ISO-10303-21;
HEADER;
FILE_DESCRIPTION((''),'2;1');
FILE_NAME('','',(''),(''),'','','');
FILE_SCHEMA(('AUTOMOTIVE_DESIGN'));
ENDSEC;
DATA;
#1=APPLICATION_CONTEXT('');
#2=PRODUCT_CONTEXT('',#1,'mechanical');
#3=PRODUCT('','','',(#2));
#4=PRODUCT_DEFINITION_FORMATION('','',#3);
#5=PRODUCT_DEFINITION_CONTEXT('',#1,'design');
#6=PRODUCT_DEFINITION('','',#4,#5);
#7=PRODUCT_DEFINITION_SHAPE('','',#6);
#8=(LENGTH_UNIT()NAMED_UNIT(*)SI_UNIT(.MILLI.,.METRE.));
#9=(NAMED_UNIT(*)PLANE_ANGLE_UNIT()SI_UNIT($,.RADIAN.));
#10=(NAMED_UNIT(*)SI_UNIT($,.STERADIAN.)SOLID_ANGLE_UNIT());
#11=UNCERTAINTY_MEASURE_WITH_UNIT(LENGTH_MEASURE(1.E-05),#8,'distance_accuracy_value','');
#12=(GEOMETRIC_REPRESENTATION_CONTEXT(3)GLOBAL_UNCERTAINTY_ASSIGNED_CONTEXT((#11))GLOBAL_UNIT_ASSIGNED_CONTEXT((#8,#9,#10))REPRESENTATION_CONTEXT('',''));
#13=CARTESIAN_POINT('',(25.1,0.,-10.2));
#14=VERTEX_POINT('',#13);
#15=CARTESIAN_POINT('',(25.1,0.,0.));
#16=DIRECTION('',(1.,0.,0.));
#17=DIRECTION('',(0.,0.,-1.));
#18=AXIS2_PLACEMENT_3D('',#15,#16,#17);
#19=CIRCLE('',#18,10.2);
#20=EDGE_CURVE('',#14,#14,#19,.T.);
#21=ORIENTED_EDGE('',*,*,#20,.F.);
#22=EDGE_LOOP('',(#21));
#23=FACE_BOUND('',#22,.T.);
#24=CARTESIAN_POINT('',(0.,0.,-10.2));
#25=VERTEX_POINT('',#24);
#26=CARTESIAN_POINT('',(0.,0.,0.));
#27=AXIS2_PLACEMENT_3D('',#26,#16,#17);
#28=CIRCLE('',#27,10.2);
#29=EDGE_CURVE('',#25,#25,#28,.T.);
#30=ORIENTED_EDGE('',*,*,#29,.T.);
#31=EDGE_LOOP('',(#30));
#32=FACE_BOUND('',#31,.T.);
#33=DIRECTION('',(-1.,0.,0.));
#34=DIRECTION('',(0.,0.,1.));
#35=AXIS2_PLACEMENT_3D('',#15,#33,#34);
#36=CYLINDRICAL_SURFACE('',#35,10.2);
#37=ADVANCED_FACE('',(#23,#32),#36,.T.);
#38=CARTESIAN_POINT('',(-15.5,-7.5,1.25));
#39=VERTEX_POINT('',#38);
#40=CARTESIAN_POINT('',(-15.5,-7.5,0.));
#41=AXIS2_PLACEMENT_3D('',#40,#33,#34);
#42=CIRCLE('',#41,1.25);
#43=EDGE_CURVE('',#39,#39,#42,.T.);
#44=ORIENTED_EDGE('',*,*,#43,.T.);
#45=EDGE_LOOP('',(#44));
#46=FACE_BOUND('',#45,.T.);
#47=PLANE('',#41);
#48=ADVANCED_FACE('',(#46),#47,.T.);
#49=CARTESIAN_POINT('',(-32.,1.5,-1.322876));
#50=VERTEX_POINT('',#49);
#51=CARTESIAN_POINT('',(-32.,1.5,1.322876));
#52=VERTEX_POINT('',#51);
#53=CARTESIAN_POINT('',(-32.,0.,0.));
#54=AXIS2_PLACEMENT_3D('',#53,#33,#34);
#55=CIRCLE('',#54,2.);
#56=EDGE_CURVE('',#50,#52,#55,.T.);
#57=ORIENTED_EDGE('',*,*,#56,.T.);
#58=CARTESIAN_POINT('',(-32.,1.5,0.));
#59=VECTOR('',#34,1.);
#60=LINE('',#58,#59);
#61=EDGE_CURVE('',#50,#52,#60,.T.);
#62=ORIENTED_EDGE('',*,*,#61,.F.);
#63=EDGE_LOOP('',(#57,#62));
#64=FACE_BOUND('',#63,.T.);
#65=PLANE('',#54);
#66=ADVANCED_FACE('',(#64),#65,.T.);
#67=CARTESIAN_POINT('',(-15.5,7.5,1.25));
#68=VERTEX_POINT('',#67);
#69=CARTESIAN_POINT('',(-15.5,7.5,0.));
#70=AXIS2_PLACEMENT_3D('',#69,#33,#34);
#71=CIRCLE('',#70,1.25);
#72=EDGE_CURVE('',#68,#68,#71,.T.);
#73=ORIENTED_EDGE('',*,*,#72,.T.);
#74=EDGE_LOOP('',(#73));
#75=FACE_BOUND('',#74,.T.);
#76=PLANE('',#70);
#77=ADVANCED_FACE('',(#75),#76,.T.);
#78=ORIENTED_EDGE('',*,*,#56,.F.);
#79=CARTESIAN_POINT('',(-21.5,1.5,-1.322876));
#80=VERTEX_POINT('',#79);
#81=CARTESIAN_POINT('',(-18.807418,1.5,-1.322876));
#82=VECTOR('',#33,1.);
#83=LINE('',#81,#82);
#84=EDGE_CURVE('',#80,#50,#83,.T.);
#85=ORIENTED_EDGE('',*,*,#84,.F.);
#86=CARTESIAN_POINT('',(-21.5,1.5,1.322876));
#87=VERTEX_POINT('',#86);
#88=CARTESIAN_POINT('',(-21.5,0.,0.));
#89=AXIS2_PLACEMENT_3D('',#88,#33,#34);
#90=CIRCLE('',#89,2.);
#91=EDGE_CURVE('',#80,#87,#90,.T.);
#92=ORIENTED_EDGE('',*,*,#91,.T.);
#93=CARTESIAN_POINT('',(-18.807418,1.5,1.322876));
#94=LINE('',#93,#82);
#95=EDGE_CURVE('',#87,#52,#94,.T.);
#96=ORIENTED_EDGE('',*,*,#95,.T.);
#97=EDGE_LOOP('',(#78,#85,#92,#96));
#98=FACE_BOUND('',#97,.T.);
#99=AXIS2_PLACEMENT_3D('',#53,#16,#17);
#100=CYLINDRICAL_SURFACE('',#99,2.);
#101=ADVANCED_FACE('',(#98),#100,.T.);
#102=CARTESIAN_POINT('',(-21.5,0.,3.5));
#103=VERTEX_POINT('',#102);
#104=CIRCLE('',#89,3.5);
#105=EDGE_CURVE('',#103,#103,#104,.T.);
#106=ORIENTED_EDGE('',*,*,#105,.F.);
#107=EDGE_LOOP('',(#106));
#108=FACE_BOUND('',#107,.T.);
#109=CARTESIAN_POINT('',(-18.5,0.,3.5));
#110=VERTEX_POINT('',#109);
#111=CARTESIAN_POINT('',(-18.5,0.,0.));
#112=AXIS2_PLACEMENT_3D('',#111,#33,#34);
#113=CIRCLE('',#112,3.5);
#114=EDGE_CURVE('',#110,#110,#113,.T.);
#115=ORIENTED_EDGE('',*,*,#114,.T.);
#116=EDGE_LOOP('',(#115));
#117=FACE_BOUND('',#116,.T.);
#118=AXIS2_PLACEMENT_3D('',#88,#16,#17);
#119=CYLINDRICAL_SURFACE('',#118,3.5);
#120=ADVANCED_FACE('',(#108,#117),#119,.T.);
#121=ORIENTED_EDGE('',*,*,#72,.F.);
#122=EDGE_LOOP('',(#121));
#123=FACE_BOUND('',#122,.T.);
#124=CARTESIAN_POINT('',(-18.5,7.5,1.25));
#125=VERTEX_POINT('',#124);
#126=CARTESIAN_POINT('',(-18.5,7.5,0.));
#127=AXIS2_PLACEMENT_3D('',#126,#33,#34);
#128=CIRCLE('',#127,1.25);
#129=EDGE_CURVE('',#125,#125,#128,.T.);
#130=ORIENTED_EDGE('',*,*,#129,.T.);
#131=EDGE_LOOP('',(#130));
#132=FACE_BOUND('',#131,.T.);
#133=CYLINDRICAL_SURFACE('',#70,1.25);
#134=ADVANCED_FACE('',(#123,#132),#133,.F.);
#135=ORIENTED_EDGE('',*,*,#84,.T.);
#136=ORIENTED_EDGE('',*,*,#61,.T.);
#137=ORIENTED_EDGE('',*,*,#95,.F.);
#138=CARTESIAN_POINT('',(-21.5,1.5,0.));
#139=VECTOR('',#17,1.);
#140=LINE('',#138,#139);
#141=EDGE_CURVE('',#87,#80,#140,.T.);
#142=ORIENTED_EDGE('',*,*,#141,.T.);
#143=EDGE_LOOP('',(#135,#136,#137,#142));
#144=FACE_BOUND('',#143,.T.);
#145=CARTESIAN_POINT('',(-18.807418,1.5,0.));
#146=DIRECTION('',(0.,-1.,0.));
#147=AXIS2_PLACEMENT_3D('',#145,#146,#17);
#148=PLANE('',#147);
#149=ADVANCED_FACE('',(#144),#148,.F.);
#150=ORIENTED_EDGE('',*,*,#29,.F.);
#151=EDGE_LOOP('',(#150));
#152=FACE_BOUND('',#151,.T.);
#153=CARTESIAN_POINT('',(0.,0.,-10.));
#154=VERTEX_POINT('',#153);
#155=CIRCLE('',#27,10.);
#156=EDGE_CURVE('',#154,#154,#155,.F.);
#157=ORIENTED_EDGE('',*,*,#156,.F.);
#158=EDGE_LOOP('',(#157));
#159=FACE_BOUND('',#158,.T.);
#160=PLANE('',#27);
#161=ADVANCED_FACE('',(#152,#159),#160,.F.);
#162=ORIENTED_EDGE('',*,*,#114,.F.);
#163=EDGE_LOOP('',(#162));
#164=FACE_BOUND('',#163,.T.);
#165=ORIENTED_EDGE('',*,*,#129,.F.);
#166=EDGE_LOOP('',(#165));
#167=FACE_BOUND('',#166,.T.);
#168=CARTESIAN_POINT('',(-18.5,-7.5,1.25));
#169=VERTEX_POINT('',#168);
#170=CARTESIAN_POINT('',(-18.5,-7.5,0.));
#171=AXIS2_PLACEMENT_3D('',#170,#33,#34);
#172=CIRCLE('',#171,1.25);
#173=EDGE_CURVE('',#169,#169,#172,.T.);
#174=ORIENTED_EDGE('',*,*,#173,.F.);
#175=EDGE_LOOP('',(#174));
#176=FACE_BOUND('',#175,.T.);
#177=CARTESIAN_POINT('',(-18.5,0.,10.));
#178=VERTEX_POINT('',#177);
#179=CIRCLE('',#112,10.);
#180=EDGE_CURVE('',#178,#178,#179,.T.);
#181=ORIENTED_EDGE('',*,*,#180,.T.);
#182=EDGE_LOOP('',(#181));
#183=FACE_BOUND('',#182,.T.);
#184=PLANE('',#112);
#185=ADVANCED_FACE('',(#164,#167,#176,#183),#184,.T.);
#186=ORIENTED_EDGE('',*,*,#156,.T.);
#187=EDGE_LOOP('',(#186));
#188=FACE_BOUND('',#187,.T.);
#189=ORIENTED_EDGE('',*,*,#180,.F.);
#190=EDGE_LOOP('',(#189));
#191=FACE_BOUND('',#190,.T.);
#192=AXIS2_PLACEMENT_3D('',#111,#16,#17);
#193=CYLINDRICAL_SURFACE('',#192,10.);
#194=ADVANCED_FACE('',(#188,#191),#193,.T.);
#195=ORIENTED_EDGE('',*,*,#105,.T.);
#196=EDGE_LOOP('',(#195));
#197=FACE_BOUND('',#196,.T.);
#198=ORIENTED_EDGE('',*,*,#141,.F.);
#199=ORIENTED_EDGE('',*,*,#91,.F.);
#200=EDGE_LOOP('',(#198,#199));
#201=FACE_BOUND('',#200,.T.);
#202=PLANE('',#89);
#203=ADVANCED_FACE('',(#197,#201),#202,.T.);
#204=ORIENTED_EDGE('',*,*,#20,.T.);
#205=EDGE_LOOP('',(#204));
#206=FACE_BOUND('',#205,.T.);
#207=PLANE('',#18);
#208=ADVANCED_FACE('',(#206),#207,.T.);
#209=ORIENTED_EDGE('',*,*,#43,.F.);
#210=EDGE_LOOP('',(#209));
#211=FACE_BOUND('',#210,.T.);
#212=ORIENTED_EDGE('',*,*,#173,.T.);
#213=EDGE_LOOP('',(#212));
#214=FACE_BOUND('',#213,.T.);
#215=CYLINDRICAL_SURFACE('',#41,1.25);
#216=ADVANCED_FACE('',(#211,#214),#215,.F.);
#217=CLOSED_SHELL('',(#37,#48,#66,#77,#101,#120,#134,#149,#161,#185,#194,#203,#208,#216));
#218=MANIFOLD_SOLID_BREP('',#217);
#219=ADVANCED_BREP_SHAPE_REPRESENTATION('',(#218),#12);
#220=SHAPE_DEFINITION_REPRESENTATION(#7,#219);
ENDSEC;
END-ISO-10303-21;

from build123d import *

# Parameters (mm, degrees)
SKETCH1_R           = 10.2
BOSS_EXTRUDE1_DEPTH = 25.1
SKETCH2_R           = 10
BOSS_EXTRUDE2_DEPTH = 18.5
SKETCH3_R           = 3.5
BOSS_EXTRUDE3_DEPTH = 3
SKETCH4_R           = 2
BOSS_EXTRUDE4_DEPTH = 10.5
CUT_EXTRUDE1_DEPTH  = 10.5
SKETCH6_R           = 1.25
CUT_EXTRUDE2_DEPTH  = 3


with BuildPart() as part:
    # Sketch1 → Boss-Extrude1 (new body)
    with BuildSketch(Plane(origin=(0, 0, 0), x_dir=(0, 0, -1), z_dir=(1, 0, 0))):
        Circle(SKETCH1_R)
    extrude(amount=BOSS_EXTRUDE1_DEPTH)

    # Sketch2 → Boss-Extrude2 (add)
    with BuildSketch(Plane.ZY):
        with Locations(Location((0, 0, 0), (0, 0, 180))):
            Circle(SKETCH2_R)
    extrude(amount=BOSS_EXTRUDE2_DEPTH)

    # Sketch3 → Boss-Extrude3 (add)
    with BuildSketch(Plane.ZY.offset(18.5)):
        Circle(SKETCH3_R)
    extrude(amount=BOSS_EXTRUDE3_DEPTH)

    # Sketch4 → Boss-Extrude4 (add)
    with BuildSketch(Plane.ZY.offset(21.5)):
        with Locations(Location((0, 0, 0), (0, 0, 180))):
            Circle(SKETCH4_R)
    extrude(amount=BOSS_EXTRUDE4_DEPTH)

    # Sketch5 → Cut-Extrude1 (cut)
    with BuildSketch(Plane.ZY.offset(32)):
        Polygon((-44.16593662, 1.5), (-1.322875656, 1.5), (1.322875656, 1.5), (44.16593662, 1.5), (44.16593662, 87.186121928), (-44.16593662, 87.186121928), align=None)
    extrude(amount=-CUT_EXTRUDE1_DEPTH, mode=Mode.SUBTRACT)

    # Sketch6 → Cut-Extrude2 (cut)
    with BuildSketch(Plane.ZY.offset(18.5)):
        with Locations((0, 7.5)):
            Circle(SKETCH6_R)
        with Locations((0, -7.5)):
            Circle(SKETCH6_R)
    extrude(amount=-CUT_EXTRUDE2_DEPTH, mode=Mode.SUBTRACT)


solid = part.part
